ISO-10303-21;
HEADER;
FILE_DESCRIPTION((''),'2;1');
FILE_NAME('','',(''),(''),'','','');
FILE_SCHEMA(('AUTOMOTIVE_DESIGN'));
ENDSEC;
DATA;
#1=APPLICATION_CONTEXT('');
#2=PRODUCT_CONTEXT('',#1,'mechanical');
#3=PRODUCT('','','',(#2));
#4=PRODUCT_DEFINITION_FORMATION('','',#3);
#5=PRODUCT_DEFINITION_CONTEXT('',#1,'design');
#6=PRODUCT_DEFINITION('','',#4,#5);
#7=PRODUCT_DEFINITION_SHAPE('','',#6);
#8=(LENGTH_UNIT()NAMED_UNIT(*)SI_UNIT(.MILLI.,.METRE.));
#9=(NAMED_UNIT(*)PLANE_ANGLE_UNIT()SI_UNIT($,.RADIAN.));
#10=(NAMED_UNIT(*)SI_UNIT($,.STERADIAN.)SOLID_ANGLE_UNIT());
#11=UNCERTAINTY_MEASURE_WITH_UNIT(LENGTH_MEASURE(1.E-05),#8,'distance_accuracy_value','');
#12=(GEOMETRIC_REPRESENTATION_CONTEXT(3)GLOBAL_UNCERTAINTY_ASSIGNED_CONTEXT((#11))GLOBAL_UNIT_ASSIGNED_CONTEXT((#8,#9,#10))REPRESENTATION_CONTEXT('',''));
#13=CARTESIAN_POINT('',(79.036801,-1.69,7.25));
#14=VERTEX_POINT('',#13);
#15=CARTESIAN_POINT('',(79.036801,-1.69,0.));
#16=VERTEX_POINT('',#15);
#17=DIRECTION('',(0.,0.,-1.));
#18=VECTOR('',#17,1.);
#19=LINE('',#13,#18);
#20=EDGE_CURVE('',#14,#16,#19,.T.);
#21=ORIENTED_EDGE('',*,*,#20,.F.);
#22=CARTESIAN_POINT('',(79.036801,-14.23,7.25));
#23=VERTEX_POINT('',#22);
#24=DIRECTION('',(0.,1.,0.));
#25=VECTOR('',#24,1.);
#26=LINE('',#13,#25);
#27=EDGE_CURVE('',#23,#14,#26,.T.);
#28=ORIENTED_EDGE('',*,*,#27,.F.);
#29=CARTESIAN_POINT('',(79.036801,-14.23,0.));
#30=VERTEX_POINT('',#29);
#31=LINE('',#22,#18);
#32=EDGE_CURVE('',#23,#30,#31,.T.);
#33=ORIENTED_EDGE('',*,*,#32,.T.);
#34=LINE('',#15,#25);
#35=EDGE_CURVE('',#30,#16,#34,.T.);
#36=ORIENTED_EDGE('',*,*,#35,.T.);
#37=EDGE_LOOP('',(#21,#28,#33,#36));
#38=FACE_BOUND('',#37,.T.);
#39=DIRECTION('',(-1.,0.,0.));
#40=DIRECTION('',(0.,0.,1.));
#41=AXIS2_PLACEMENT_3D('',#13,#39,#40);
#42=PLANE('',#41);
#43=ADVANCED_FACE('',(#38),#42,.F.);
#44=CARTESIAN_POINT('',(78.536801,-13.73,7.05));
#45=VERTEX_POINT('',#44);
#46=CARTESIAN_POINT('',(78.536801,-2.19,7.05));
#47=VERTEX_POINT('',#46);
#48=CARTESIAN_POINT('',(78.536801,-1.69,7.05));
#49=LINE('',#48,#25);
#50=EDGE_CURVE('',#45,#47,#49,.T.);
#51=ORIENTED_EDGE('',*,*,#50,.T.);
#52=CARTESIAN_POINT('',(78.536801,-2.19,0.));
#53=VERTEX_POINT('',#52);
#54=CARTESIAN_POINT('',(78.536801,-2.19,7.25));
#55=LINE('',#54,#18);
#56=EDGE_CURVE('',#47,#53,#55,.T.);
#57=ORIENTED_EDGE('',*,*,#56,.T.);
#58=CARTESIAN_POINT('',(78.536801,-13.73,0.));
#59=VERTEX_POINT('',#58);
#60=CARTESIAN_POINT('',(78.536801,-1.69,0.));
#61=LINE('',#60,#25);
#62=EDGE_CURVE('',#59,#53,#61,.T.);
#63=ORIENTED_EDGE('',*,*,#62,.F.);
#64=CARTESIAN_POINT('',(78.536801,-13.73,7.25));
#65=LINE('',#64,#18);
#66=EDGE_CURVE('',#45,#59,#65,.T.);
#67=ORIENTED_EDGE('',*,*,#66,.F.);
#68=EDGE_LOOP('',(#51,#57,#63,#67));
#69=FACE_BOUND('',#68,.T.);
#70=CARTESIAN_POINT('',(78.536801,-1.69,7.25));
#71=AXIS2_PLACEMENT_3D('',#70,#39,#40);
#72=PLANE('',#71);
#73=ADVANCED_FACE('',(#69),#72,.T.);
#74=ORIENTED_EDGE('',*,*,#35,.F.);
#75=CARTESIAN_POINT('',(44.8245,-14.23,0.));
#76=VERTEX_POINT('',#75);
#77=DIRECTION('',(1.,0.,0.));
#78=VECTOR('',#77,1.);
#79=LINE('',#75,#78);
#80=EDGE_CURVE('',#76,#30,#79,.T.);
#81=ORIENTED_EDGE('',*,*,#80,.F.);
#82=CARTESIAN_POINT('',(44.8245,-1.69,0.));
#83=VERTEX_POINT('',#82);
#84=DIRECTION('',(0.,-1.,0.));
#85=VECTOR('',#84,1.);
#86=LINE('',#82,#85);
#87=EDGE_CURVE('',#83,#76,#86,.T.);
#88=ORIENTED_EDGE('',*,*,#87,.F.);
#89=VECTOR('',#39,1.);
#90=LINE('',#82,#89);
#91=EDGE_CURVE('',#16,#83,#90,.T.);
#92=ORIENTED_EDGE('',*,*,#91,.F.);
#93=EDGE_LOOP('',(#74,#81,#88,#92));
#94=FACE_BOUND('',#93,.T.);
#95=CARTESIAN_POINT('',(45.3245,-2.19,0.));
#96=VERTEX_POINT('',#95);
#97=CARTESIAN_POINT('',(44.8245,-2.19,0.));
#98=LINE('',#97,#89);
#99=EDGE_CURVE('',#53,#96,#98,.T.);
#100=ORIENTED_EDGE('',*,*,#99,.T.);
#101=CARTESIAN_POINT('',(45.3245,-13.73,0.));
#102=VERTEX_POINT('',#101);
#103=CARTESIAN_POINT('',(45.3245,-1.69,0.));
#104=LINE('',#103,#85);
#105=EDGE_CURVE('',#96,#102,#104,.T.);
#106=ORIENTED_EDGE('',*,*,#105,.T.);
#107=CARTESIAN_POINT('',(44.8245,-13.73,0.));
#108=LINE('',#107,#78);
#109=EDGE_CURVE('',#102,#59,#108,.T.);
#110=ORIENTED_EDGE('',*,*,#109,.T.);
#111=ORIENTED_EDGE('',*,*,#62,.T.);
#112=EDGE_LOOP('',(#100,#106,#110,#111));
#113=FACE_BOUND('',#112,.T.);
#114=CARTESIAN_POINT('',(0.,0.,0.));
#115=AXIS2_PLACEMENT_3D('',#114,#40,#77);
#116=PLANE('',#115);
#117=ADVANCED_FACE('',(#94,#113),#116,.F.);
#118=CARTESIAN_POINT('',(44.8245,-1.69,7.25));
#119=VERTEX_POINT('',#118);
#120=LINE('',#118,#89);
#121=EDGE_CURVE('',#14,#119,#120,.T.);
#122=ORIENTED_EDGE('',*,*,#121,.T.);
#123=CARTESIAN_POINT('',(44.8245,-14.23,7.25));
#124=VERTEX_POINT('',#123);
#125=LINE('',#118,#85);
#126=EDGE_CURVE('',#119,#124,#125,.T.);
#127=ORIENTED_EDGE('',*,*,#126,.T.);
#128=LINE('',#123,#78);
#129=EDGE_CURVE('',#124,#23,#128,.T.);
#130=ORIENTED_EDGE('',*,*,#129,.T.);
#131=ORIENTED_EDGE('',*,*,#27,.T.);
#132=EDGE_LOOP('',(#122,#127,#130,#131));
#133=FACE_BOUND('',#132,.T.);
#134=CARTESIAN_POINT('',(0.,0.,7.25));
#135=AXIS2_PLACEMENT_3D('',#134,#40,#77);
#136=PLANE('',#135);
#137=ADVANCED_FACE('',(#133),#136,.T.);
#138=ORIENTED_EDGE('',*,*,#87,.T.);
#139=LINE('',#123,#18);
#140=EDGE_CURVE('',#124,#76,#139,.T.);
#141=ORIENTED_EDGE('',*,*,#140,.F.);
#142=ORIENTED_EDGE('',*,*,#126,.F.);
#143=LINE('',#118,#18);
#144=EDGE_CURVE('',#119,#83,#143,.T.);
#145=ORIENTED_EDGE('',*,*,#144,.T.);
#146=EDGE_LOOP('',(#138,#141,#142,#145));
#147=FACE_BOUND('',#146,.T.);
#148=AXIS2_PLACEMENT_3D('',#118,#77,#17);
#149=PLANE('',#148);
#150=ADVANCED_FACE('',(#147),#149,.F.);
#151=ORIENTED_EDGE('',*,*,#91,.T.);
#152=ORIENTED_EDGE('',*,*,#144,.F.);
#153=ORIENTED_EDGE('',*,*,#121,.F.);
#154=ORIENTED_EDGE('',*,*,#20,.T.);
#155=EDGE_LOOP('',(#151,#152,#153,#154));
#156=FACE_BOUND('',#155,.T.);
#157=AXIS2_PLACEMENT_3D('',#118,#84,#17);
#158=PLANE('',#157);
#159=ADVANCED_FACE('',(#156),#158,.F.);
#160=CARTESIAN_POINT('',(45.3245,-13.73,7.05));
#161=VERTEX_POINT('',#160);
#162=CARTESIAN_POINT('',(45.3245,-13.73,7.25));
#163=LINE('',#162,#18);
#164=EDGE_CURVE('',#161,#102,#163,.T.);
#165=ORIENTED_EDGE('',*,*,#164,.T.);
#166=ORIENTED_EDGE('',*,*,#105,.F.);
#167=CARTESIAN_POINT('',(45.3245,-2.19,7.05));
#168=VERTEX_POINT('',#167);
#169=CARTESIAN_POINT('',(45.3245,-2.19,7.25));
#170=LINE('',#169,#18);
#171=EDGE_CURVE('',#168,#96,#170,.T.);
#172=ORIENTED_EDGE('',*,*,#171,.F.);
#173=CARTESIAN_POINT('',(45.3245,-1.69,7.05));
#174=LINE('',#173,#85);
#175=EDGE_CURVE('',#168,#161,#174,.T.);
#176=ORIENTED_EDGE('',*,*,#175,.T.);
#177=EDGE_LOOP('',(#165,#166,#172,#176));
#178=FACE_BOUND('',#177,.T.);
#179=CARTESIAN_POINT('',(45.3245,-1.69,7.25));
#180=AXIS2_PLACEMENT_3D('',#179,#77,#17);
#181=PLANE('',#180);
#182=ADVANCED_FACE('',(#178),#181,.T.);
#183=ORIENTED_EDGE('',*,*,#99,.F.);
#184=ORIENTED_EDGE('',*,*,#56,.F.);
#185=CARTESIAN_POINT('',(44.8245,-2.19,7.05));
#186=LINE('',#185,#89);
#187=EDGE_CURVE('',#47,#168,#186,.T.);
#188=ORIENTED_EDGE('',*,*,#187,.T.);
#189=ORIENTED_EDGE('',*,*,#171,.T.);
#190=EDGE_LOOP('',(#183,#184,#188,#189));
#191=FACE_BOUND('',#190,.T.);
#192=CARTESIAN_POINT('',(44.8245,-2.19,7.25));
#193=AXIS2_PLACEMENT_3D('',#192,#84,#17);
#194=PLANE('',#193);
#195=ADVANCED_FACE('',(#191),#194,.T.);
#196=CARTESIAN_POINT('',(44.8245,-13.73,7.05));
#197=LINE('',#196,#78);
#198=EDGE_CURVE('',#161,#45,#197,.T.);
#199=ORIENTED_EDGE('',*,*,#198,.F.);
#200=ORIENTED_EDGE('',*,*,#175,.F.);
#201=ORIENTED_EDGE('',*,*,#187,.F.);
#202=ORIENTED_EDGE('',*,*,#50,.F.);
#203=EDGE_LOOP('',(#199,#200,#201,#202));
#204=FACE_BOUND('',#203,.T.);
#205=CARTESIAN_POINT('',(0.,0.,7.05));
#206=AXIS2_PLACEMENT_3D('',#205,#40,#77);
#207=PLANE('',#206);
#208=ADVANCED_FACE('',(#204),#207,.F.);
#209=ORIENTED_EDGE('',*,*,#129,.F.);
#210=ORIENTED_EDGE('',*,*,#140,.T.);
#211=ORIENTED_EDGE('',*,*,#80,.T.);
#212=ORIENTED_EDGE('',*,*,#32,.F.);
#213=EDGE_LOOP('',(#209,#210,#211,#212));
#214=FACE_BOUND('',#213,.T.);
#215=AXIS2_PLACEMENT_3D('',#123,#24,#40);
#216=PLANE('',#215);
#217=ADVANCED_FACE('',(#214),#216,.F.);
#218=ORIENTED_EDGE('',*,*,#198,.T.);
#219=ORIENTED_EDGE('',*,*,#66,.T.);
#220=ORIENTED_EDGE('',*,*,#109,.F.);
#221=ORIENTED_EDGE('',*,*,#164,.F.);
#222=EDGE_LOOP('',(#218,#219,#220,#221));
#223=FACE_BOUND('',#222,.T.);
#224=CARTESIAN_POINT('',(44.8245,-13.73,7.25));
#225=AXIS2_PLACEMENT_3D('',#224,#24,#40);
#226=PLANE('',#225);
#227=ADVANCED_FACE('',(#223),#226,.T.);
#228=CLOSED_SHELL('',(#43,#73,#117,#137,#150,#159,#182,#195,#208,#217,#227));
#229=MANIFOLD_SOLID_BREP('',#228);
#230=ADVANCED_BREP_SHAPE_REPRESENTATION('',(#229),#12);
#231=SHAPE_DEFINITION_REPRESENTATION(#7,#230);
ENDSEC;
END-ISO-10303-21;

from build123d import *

# Parameters (mm, degrees)
SKETCH1_W                 = 34.21230149
SKETCH1_H                 = 12.54
BOSS_EXTRUDE1_DEPTH       = 7.25
SHELL1_T                  = -0.5
SHELL1_THICKNESS_2_FACE_W = 33.21230149
SHELL1_THICKNESS_2_FACE_H = 11.54
SHELL1_THICKNESS_2_DEPTH  = 0.3


with BuildPart() as part:
    # Sketch1 → Boss-Extrude1 (new body)
    with BuildSketch(Plane.XY):
        with Locations((61.930650745, -7.96)):
            Rectangle(SKETCH1_W, SKETCH1_H)
    extrude(amount=BOSS_EXTRUDE1_DEPTH)

    # Shell1
    shell1_openings = [part.faces().sort_by_distance(p)[0] for p in [
        (61.930650745, -7.96, 0),
    ]]
    offset(amount=SHELL1_T, openings=shell1_openings, kind=Kind.INTERSECTION)

    # Shell1 thickness 2 face (on inner face of the shell) → Shell1 thickness 2 (cut)
    with BuildSketch(Plane(origin=(61.930650745, -7.96, 6.75), x_dir=(1, 0, 0), z_dir=(0, 0, 1))):
        Rectangle(SHELL1_THICKNESS_2_FACE_W, SHELL1_THICKNESS_2_FACE_H)
    extrude(amount=SHELL1_THICKNESS_2_DEPTH, mode=Mode.SUBTRACT)


solid = part.part
